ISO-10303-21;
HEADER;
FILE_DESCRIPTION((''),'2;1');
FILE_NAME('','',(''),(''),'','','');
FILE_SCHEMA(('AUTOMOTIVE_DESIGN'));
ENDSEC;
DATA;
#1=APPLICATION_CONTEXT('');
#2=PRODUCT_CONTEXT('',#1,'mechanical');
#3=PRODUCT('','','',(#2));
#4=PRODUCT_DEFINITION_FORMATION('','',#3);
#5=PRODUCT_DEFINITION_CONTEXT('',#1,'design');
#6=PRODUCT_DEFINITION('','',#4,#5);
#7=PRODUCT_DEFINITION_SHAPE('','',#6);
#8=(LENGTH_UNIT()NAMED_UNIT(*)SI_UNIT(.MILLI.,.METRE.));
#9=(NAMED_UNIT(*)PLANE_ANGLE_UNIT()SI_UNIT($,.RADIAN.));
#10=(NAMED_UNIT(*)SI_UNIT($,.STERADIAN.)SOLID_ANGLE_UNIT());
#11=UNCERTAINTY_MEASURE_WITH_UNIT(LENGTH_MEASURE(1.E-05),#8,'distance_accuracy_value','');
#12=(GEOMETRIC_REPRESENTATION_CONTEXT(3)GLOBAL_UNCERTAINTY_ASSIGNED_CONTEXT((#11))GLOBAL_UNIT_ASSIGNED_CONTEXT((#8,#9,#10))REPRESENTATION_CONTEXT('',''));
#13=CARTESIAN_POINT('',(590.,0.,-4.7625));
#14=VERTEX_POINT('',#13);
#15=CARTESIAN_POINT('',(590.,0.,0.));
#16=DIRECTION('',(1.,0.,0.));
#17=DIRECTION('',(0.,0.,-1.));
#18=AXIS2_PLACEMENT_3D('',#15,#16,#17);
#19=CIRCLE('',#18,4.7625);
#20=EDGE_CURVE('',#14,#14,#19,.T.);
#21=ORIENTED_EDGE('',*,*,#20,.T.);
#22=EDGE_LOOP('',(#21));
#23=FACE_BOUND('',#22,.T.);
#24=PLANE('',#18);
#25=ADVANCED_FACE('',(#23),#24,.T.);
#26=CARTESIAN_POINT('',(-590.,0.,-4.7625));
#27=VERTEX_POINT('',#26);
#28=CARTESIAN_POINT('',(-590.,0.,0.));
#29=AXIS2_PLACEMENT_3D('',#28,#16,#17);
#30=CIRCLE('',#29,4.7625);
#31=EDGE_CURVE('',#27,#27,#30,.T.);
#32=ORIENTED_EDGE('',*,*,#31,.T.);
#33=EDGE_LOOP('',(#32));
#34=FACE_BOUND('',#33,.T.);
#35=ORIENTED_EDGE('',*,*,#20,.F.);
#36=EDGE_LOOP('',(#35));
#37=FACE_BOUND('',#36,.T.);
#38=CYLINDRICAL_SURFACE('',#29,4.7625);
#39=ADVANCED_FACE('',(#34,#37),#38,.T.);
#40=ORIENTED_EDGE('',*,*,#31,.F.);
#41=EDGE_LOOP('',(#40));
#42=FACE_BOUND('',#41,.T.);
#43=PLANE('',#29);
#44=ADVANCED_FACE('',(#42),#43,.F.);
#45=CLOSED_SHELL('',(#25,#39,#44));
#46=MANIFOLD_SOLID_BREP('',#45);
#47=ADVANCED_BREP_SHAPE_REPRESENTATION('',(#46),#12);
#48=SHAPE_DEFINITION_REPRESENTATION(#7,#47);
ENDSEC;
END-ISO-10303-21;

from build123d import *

# Parameters (mm, degrees)
SWEEP1_PROFILE_R = 4.7625


with BuildPart() as part:
    # Sweep1: sweep along a path in Sketch1
    with BuildLine(Plane(origin=(0, 0, 0), x_dir=(1, 0, 0), z_dir=(0, 1, 0))) as sweep1_path:
        Line((-590, 0), (590, 0))
    # Sweep1 profile (on start of the path) → Sweep1 (sweep)
    with BuildSketch(Plane(origin=(-590, 0, 0), x_dir=(0, 0, 1), z_dir=(1, 0, 0))):
        Circle(SWEEP1_PROFILE_R)
    sweep(path=sweep1_path.line)


solid = part.part
